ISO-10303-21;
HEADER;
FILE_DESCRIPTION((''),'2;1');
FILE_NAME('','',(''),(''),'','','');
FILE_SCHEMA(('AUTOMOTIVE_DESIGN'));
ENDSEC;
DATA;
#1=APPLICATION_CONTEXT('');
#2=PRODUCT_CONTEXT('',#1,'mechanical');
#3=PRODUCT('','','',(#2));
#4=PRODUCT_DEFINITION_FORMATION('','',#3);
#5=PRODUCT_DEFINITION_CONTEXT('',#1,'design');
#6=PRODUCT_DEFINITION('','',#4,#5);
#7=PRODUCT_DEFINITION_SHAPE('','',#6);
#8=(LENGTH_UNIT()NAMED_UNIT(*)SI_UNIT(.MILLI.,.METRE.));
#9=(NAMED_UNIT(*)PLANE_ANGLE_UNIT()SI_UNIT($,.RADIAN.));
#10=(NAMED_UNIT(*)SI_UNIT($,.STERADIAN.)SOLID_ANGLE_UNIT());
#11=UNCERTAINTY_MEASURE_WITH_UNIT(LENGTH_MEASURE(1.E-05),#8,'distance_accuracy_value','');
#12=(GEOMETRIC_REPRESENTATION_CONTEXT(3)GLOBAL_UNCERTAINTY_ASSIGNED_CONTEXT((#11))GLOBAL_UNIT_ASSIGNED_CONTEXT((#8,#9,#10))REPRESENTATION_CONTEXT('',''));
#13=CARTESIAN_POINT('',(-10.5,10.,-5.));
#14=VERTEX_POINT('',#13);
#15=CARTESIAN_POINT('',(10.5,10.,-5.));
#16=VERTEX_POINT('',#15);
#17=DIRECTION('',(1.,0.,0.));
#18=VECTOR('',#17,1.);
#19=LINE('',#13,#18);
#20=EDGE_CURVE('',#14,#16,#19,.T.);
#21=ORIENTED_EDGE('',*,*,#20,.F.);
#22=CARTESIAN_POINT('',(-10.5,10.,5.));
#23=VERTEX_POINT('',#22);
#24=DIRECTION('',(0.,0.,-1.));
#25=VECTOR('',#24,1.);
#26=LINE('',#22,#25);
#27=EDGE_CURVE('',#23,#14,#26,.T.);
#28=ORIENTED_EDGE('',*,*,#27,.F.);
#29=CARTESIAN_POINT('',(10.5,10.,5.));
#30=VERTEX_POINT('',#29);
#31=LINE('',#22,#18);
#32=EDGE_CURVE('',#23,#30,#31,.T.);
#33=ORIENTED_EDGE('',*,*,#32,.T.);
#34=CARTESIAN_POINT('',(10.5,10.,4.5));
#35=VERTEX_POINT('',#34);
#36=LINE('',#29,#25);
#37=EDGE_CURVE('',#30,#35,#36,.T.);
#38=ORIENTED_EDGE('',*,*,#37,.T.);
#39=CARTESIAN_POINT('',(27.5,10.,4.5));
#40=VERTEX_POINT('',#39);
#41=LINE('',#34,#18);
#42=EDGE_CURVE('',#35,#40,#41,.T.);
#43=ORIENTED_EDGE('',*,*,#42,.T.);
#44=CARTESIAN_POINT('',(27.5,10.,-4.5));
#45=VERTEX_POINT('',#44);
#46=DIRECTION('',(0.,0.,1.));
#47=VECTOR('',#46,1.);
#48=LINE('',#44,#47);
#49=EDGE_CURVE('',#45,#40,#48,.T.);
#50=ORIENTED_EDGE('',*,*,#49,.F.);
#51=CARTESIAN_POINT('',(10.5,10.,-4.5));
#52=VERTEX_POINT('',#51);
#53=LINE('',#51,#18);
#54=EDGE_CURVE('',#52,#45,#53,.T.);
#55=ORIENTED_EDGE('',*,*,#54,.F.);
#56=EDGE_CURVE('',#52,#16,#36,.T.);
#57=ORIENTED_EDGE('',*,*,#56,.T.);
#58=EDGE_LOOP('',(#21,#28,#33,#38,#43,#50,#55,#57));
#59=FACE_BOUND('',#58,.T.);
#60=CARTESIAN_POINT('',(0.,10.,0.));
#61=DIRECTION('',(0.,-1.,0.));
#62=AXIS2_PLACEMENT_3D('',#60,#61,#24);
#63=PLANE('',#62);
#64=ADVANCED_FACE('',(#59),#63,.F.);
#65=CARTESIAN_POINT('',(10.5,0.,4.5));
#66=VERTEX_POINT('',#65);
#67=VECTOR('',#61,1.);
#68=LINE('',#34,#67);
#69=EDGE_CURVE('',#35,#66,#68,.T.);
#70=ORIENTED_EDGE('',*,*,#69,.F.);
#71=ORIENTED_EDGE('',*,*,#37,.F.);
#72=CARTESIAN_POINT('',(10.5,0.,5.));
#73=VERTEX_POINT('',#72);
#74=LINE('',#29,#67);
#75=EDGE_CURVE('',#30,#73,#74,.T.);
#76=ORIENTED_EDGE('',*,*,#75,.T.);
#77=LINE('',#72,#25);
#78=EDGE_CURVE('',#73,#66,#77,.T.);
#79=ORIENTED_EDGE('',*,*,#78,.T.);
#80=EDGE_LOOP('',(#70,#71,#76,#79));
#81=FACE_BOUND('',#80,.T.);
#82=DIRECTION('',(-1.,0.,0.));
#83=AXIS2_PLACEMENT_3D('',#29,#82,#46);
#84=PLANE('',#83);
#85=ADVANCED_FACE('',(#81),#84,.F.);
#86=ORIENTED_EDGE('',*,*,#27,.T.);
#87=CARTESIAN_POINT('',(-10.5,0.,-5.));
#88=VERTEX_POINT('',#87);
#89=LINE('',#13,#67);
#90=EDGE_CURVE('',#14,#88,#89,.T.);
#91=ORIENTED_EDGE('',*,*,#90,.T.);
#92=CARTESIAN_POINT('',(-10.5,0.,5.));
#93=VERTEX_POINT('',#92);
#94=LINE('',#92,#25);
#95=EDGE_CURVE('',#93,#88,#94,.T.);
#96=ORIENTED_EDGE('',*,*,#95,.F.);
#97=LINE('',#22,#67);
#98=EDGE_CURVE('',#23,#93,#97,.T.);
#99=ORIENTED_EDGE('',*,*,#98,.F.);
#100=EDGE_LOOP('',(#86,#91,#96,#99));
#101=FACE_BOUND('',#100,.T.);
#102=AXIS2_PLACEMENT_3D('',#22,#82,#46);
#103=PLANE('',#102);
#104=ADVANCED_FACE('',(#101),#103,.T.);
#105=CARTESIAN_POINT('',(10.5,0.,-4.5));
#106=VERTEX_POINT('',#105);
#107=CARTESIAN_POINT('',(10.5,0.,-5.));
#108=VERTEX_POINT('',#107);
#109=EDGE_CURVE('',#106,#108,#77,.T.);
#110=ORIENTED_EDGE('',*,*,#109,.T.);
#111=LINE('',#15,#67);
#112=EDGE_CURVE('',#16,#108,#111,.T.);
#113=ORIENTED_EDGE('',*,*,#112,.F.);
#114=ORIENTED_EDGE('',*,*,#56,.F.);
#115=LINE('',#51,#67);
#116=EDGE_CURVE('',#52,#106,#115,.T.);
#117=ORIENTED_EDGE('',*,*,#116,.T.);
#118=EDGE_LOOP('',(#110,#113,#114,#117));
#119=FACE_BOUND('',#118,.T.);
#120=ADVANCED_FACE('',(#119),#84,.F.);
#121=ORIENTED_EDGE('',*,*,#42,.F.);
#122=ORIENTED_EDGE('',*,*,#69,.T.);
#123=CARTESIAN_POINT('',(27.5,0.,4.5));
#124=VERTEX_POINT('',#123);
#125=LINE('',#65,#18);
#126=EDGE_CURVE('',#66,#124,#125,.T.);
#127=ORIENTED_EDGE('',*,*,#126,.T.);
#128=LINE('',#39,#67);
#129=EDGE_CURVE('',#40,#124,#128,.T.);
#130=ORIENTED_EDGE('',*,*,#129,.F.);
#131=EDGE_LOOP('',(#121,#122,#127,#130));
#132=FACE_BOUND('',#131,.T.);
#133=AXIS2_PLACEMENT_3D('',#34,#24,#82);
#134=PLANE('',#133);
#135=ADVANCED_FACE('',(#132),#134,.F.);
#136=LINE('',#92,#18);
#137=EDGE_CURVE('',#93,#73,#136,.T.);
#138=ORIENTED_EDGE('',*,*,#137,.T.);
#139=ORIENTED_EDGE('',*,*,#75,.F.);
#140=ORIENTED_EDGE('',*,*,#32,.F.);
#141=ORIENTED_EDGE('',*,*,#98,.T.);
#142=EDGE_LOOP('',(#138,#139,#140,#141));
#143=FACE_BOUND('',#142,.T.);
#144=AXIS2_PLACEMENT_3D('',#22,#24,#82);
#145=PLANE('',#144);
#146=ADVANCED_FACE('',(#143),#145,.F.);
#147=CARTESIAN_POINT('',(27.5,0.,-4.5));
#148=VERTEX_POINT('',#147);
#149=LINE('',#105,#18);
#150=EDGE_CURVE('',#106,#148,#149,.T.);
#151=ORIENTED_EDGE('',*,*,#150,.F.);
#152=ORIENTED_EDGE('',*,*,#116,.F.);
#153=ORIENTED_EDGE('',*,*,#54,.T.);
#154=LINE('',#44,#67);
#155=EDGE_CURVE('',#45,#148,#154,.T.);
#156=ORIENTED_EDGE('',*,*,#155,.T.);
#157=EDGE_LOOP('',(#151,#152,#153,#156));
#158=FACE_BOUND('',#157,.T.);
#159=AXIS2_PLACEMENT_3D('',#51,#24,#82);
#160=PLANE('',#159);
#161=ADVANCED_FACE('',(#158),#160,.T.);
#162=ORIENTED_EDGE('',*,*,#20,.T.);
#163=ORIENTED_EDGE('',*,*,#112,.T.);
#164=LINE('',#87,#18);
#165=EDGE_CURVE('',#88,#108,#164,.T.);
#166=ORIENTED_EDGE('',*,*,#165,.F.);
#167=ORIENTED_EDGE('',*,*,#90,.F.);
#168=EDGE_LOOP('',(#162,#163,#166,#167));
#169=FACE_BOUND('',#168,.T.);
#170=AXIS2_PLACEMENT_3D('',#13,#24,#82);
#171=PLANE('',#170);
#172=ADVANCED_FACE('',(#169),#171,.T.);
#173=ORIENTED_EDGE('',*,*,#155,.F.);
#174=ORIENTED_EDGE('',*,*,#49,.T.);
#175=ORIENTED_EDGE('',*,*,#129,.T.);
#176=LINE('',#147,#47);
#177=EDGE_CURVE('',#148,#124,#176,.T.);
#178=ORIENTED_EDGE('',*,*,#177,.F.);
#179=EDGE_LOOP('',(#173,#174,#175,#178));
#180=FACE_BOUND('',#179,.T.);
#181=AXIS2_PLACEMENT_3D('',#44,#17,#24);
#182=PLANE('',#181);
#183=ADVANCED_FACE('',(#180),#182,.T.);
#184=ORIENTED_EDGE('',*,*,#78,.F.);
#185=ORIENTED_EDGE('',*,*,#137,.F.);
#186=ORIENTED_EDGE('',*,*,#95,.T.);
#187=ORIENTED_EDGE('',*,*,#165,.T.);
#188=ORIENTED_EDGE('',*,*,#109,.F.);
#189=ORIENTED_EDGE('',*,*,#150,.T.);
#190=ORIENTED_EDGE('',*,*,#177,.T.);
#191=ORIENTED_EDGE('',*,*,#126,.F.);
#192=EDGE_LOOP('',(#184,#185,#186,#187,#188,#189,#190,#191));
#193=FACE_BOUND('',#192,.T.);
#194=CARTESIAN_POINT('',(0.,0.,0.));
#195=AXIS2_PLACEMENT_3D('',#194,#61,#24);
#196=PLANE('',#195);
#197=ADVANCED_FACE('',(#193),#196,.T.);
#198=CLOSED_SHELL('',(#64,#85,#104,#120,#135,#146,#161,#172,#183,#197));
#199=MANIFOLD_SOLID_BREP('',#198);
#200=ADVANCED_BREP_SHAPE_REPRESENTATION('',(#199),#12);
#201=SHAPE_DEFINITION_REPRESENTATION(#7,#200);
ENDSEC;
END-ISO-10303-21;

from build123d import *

# Parameters (mm, degrees)
SKETCH_1_W      = 21
SKETCH_1_H      = 10
SKETCH_1_W_2    = 17
SKETCH_1_H_2    = 9
EXTRUDE_1_DEPTH = 10


with BuildPart() as part:
    # 草图1 → 凸台-拉伸1 (new body)
    with BuildSketch(Plane(origin=(0, 0, 0), x_dir=(1, 0, 0), z_dir=(0, 1, 0))):
        Rectangle(SKETCH_1_W, SKETCH_1_H)
        with Locations((19, 0)):
            Rectangle(SKETCH_1_W_2, SKETCH_1_H_2)
    extrude(amount=EXTRUDE_1_DEPTH)


solid = part.part
